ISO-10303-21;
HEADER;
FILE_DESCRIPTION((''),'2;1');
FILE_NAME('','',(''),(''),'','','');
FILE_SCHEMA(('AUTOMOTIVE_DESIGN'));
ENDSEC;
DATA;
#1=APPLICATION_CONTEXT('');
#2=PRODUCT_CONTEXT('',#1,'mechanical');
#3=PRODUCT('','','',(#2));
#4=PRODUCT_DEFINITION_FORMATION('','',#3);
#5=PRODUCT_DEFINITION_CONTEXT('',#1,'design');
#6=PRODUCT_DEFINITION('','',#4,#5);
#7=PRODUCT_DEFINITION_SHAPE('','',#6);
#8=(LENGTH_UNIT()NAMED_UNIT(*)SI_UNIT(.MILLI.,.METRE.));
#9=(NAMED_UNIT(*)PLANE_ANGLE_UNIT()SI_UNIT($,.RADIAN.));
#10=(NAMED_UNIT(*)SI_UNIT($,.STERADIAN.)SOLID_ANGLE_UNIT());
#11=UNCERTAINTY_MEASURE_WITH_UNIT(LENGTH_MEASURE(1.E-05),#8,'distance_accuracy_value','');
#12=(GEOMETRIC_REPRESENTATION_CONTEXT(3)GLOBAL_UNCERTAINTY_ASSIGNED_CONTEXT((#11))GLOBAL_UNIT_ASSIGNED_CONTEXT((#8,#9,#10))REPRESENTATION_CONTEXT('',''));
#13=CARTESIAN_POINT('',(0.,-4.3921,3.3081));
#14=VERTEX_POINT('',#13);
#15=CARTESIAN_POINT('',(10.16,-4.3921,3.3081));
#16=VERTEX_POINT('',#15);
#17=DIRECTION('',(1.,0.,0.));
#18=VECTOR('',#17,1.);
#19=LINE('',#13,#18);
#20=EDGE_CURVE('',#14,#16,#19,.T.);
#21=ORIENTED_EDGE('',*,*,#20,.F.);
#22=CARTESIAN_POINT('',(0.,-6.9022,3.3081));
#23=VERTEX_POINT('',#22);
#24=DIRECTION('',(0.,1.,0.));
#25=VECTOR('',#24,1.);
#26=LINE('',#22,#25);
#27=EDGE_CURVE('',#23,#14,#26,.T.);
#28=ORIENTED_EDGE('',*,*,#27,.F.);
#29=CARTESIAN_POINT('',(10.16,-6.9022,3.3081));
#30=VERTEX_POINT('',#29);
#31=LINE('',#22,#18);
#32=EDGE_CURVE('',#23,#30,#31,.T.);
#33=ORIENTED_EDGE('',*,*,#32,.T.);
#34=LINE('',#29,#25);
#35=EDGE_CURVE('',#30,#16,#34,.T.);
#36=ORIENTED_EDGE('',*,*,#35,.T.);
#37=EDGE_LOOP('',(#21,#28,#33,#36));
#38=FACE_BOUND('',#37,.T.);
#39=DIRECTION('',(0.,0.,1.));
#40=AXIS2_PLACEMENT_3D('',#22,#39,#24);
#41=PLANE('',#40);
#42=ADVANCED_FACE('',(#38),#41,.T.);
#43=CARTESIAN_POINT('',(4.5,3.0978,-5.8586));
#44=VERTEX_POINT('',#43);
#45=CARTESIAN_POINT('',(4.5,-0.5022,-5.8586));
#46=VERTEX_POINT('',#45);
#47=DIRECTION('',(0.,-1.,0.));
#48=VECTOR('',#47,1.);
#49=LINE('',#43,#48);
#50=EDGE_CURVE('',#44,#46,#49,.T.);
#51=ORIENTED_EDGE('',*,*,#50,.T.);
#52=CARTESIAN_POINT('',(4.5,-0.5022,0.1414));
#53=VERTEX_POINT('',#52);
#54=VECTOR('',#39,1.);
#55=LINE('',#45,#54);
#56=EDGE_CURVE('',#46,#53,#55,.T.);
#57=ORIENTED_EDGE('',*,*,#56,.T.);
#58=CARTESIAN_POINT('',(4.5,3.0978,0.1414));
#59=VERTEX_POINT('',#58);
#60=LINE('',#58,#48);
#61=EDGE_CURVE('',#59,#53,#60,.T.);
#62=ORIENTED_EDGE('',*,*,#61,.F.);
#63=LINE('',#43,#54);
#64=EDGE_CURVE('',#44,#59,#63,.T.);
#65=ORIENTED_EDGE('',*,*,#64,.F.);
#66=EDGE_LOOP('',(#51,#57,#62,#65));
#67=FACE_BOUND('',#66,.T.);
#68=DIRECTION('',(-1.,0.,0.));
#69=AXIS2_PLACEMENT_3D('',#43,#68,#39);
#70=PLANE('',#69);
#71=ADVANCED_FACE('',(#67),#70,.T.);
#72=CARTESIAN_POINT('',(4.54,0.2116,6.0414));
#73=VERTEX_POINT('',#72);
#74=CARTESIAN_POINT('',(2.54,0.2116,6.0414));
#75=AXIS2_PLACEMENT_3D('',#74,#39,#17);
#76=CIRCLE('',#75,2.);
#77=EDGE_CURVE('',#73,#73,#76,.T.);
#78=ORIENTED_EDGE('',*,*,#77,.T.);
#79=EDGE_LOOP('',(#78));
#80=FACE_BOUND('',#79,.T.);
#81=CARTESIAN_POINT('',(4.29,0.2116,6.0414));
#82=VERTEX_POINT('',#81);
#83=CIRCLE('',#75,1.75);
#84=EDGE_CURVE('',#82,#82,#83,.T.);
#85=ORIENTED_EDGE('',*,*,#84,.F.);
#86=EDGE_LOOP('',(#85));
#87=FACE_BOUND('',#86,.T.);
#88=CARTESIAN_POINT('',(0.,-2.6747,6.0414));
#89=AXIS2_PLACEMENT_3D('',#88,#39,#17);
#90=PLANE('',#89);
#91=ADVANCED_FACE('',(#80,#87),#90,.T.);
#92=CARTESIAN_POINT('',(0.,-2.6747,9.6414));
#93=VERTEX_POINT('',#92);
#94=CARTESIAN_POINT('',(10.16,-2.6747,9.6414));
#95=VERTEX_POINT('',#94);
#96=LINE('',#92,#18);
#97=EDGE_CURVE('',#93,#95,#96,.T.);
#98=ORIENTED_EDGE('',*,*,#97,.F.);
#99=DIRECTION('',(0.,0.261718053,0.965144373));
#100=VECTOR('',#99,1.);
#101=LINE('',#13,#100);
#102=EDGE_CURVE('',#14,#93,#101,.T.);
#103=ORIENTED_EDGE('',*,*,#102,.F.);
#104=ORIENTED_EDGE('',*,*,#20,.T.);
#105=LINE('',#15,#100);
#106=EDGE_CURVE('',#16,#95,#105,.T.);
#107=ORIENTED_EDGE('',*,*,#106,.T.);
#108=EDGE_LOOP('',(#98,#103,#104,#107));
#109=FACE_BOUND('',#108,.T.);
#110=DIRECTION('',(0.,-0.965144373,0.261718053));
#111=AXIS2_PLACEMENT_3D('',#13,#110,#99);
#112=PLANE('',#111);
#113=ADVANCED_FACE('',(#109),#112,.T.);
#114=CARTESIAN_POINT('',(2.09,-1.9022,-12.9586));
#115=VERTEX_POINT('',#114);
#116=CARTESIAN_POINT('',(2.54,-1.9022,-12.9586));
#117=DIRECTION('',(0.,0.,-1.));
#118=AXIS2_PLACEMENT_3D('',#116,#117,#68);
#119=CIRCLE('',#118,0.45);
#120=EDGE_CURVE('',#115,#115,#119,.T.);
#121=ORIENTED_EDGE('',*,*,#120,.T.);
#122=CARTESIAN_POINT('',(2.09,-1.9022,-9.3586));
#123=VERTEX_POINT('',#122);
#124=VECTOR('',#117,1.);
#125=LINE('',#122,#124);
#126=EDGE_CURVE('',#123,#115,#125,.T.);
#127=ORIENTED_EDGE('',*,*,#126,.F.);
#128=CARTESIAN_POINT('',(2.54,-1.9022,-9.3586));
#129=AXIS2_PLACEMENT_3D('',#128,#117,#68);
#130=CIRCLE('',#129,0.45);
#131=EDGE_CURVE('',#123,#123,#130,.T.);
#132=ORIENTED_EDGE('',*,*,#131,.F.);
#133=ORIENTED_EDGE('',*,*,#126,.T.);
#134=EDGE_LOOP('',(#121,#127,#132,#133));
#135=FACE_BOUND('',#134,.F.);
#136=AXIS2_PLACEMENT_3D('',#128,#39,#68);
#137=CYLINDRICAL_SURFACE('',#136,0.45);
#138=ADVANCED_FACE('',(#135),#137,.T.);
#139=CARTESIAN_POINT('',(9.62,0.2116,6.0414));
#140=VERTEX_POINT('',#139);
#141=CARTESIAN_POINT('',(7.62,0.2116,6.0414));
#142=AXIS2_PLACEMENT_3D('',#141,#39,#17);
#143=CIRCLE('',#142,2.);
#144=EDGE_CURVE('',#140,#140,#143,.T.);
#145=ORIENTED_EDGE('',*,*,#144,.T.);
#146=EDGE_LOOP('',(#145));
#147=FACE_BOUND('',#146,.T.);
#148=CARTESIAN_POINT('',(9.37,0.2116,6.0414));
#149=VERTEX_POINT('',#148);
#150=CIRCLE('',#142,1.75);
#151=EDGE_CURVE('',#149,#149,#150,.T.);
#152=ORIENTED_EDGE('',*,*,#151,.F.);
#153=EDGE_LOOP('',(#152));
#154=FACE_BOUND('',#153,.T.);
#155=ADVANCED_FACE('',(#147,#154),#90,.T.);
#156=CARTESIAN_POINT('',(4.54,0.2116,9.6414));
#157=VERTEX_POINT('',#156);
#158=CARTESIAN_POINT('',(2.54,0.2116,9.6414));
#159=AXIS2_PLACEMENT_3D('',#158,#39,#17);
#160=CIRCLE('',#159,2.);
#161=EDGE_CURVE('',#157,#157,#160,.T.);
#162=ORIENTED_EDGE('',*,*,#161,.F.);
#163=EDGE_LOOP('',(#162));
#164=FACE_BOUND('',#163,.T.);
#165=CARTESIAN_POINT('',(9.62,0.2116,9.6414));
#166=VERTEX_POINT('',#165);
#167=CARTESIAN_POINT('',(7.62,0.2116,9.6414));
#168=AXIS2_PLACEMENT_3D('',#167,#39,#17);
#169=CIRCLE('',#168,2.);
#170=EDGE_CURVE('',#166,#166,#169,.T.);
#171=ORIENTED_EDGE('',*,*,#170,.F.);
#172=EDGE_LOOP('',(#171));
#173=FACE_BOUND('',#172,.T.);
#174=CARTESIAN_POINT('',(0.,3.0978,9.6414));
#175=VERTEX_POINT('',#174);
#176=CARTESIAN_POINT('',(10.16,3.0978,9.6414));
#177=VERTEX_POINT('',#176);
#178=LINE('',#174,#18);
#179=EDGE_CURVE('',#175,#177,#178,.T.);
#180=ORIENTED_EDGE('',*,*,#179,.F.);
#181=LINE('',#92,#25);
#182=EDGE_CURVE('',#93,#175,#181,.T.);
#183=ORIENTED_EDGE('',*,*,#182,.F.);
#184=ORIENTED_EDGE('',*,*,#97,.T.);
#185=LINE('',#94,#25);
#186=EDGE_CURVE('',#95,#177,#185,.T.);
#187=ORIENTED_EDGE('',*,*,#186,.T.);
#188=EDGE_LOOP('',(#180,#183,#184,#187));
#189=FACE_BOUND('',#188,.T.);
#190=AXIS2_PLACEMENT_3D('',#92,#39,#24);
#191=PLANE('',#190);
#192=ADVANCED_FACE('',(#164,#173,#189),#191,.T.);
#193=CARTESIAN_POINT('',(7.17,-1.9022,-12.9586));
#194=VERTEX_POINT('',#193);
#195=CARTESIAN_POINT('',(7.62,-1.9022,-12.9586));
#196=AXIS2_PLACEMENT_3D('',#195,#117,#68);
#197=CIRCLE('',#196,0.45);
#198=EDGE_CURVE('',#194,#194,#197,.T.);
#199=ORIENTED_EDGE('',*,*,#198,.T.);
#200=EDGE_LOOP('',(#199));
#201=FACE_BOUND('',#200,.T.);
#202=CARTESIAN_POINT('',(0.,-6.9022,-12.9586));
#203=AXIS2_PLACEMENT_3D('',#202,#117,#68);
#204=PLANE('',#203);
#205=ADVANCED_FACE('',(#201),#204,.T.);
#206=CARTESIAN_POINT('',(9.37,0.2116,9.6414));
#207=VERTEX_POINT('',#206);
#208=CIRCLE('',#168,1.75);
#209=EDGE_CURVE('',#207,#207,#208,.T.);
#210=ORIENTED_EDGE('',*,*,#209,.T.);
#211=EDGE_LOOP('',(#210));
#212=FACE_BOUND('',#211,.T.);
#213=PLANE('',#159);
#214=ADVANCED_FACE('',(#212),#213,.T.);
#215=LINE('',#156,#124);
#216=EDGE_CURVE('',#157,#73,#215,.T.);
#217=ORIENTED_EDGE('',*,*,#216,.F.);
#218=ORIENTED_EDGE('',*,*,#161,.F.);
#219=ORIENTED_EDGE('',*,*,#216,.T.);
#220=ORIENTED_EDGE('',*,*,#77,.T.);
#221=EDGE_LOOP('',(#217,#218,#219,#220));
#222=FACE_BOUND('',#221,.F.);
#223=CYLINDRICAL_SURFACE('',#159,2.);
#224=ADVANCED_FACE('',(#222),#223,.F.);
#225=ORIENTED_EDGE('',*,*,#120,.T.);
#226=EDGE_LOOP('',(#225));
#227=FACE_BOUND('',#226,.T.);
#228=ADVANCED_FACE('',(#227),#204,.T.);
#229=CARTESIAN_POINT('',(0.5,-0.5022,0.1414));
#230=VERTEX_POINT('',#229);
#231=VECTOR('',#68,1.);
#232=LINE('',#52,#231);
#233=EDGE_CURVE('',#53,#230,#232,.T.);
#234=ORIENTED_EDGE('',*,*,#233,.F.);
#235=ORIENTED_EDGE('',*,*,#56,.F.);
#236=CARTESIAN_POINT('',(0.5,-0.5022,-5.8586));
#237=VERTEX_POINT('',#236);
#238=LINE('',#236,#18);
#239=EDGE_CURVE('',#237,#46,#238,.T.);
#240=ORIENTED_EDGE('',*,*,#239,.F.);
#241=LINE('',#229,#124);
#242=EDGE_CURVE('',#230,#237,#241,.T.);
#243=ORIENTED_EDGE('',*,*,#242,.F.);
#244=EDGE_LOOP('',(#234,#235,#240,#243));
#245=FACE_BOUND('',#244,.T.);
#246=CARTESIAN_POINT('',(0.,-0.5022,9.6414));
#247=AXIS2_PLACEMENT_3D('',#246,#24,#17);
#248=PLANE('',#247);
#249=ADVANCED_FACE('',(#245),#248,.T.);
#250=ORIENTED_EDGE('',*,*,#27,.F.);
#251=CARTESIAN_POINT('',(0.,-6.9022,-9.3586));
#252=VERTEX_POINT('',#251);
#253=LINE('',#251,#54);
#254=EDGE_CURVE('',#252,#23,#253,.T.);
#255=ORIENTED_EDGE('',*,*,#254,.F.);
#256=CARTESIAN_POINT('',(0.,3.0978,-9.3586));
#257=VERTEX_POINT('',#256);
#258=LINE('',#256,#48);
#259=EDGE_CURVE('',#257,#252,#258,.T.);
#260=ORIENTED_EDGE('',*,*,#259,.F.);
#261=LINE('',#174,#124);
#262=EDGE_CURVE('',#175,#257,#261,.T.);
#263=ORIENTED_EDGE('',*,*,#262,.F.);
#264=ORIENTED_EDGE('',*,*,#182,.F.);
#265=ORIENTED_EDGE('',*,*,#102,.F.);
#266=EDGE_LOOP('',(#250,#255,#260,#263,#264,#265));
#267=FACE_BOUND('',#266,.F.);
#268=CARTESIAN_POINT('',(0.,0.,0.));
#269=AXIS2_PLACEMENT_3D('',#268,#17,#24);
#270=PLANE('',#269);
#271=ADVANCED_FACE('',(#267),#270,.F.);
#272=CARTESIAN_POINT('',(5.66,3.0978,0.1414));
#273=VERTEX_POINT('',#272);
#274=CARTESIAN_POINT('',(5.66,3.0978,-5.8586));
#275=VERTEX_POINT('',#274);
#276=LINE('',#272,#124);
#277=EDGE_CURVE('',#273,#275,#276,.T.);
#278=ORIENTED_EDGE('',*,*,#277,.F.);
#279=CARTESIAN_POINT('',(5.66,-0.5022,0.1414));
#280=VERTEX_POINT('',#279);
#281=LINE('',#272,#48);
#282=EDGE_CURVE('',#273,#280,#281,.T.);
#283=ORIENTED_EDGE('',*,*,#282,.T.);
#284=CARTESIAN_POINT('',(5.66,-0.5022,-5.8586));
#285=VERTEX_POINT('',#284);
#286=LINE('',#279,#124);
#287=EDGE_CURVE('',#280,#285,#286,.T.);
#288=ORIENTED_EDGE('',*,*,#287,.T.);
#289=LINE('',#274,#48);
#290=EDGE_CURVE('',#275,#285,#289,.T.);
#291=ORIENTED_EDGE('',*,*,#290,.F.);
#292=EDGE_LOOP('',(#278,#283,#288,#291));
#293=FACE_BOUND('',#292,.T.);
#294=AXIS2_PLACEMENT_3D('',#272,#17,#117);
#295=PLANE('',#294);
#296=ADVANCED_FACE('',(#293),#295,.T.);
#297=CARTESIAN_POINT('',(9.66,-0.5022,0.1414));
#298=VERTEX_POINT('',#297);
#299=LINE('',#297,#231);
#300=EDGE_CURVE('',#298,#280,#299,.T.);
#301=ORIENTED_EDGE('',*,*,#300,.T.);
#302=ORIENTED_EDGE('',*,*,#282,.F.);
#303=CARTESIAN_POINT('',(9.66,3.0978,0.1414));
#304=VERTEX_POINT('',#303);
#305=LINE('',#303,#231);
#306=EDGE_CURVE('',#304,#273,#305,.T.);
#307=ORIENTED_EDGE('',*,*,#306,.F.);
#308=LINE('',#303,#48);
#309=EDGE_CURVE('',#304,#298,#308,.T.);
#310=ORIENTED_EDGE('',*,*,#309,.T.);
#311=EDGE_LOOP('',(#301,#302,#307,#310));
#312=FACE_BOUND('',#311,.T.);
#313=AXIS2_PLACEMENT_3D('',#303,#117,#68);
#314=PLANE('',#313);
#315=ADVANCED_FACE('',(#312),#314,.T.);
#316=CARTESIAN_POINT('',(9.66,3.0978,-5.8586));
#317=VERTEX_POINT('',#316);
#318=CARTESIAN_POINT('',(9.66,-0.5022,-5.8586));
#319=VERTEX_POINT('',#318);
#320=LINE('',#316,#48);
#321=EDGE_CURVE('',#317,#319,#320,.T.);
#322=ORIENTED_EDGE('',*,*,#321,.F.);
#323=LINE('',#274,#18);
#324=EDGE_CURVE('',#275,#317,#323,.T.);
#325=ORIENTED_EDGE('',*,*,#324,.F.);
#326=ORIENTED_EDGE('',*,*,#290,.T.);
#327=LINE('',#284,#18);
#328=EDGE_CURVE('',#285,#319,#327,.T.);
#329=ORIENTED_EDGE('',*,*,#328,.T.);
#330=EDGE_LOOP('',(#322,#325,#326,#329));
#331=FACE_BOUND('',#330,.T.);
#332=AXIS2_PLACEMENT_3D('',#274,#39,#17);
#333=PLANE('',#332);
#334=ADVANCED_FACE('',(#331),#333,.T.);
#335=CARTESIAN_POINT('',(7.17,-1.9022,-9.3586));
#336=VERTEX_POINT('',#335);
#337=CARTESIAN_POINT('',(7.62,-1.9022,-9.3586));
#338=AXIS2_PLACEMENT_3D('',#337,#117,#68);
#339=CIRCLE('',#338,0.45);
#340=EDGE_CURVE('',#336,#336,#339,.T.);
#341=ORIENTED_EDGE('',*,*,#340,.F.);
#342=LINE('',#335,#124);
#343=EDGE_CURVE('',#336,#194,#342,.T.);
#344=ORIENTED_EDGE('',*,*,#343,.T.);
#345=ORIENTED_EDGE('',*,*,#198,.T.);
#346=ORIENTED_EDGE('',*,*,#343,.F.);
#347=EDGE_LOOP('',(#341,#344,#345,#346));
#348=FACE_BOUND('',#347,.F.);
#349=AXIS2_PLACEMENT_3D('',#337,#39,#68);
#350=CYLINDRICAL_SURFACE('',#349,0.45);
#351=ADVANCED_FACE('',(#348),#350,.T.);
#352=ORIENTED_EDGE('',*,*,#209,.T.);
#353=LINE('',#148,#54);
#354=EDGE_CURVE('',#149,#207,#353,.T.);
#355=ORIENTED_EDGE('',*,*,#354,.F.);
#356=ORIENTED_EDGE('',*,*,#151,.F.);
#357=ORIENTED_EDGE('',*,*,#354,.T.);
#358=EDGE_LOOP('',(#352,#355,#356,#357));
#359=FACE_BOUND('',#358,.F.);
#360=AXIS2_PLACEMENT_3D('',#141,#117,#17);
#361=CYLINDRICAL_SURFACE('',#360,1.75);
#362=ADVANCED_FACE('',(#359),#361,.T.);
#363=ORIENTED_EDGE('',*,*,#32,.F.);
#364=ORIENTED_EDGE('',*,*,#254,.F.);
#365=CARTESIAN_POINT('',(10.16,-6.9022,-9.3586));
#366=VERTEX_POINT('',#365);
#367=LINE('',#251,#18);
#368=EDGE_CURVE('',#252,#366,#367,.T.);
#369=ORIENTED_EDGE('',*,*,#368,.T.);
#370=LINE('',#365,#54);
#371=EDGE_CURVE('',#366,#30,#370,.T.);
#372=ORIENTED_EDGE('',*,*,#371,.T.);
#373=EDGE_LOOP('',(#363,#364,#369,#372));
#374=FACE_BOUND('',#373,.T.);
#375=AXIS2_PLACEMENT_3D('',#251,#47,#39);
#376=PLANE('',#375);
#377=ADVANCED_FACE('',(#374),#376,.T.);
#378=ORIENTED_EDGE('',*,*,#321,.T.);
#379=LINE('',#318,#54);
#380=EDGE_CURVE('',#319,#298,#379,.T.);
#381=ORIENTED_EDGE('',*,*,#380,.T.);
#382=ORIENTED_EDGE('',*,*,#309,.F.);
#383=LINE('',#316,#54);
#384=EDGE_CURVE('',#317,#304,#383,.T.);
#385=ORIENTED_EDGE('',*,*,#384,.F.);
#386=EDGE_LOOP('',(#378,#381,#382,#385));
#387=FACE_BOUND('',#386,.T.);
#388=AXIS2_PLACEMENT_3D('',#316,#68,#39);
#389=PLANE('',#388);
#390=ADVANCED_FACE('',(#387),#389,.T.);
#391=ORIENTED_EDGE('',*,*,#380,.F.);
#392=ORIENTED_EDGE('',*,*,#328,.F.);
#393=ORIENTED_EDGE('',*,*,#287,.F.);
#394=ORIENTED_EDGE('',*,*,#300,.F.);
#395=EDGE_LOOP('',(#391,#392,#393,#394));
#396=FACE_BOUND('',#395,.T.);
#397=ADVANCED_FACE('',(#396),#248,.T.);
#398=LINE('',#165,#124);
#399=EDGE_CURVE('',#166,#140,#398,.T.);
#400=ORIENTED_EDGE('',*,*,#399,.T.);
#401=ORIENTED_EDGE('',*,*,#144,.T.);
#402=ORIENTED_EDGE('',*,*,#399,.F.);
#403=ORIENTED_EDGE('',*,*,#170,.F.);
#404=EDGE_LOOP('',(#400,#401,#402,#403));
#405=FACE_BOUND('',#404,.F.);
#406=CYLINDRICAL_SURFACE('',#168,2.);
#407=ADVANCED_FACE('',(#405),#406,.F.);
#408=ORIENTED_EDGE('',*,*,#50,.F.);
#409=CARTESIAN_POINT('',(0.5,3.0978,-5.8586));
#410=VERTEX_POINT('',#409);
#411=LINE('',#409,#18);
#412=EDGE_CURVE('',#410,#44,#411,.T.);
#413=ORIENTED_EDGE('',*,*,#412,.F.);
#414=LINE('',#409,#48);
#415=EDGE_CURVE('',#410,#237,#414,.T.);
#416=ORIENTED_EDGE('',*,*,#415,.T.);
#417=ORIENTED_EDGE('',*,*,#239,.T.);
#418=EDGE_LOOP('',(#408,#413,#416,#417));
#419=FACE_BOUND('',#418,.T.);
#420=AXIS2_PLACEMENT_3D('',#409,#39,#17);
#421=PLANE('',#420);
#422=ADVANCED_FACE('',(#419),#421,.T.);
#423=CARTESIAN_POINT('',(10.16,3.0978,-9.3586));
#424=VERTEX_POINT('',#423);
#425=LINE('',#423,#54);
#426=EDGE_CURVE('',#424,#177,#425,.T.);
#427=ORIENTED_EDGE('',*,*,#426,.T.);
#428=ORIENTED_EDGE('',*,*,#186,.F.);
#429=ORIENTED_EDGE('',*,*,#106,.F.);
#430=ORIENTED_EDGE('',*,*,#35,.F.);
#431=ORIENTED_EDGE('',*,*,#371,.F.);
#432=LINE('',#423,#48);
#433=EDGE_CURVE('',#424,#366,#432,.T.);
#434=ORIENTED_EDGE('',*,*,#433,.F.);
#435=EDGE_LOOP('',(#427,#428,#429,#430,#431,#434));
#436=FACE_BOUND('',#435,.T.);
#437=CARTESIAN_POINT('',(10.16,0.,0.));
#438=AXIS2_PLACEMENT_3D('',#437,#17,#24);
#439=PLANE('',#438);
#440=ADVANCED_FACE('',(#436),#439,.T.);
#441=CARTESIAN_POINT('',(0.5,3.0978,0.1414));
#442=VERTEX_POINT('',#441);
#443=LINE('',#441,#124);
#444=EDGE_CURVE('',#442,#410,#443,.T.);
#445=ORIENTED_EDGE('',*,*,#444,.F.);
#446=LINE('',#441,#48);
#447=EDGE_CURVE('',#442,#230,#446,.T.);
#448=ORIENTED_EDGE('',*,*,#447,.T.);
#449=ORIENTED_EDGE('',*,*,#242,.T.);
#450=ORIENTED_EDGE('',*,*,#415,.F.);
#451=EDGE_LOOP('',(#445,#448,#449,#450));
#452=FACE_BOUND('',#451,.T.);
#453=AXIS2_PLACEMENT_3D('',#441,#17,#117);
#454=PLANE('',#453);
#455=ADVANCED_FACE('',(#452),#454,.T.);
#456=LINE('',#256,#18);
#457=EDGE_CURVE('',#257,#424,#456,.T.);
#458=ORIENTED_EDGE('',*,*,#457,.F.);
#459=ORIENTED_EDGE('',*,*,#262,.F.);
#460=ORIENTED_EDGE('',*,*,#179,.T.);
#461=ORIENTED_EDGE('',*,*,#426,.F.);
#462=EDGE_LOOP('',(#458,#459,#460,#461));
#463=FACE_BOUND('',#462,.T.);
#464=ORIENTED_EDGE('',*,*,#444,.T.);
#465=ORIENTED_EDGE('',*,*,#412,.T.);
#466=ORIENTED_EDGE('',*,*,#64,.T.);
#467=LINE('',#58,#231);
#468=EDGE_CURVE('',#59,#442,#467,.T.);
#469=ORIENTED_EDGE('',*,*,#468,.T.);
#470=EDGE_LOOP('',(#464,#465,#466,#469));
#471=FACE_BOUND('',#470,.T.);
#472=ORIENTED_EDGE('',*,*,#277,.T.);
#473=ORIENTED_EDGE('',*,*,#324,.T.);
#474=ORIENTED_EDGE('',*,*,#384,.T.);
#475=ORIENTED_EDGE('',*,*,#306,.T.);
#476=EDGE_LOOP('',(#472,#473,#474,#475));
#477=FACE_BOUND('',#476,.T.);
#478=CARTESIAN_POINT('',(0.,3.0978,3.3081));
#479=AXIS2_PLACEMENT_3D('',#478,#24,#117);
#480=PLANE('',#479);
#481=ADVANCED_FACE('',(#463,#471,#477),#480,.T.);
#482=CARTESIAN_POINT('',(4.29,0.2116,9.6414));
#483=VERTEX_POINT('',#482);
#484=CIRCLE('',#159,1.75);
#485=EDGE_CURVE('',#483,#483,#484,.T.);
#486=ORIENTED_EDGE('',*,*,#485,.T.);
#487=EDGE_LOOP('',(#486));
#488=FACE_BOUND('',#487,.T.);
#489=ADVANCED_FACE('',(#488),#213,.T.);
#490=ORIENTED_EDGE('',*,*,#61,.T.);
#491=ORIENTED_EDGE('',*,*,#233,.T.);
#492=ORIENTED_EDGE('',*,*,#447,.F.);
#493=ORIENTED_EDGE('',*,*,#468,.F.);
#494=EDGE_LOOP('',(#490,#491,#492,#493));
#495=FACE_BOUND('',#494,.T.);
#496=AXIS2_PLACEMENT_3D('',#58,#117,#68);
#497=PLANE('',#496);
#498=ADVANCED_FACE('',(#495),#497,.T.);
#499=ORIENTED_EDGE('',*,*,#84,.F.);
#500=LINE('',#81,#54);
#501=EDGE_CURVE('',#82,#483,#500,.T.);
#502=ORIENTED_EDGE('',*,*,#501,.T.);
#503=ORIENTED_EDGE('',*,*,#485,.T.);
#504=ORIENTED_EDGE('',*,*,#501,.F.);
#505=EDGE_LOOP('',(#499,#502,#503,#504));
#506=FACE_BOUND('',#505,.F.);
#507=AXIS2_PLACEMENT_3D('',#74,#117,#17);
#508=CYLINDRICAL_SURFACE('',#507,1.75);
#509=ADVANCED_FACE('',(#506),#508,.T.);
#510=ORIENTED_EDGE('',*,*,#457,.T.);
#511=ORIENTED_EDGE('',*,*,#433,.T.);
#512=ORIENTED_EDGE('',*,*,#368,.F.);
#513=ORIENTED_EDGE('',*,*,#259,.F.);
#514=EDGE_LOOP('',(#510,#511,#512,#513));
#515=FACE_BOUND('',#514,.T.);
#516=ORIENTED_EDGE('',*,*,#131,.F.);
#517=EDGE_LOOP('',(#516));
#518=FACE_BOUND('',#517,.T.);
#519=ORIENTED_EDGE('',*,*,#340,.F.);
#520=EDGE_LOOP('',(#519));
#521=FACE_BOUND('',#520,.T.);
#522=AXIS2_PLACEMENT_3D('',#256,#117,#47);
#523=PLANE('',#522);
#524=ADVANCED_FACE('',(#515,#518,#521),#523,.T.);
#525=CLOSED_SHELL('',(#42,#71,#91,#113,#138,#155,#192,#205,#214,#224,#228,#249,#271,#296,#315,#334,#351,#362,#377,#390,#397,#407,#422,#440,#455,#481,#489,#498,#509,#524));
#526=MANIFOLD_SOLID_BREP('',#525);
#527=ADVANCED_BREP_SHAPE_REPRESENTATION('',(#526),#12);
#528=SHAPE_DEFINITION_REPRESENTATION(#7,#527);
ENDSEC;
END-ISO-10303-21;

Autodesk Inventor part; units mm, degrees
ref_plane "YZ Plane" through (0, 0, 0) normal (1, 0, 0) x (0, 1, 0)
ref_plane "XZ Plane" through (0, 0, 0) normal (0, 1, 0) x (-1, 0, 0)
ref_plane "XY Plane" through (0, 0, 0) normal (0, 0, 1) x (1, 0, 0)
sketch "Sketch1" plane through (0, 0, 0) normal (1, 0, 0) x (0, 1, 0)
  line L0 (-6.9022, 3.3081) -> (3.0978, 3.3081)
  line L1 (3.0978, 3.3081) -> (3.0978, -9.3586)
  line L2 (3.0978, -9.3586) -> (-6.9022, -9.3586)
  line L3 (-6.9022, -9.3586) -> (-6.9022, 3.3081)
  line L4 (-4.3921, 3.3081) -> (-2.6747, 9.6414)
  line L5 (-2.6747, 9.6414) -> (3.0978, 9.6414)
  line L6 (3.0978, 9.6414) -> (3.0978, 3.3081)
  point P0 (0, 0)
  dimension "d0" = 10
  dimension "d1" = 19
  dimension "d2" = 12.6667
extrude "Extrusion1" add sketch "Sketch1" along normal blind 10.16
sketch "Sketch2" plane through (0, -6.9022, -9.3586) normal (0, 0, -1) x (-1, 0, 0)
  line L0 (-10.16, 0) -> (-10.16, 10) projected
  line L1 (0, 0) -> (-10.16, 0) projected
  circle A0 centre (-7.62, 5) radius 0.45
  circle A1 centre (-2.54, 5) radius 0.45
  point P0 (0, 6.9022)
  dimension "d5" = 0.9
  dimension "d6" = 0.9
  dimension "d7" = 5.08
  dimension "d8" = 2.54
  dimension "d9" = 5
  dimension "d10" = 5
extrude "Extrusion2" add sketch "Sketch2" along normal blind 3.6
sketch "Sketch3" plane through (0, -2.6747, 9.6414) normal (0, 0, 1) x (1, 0, 0)
  line L0 (0, 5.7725) -> (0, 0) projected
  circle A0 centre (2.54, 2.8863) radius 2
  circle A1 centre (7.62, 2.8863) radius 2
  point P0 (0, 2.6747)
  dimension "d13" = 5.08
  dimension "d14" = 4
  dimension "d15" = 4
  dimension "d16" = 2.54
extrude "Extrusion3" cut sketch "Sketch3" against normal blind 3.6
sketch "Sketch4" plane through (2.54, 0.2116, 6.0414) normal (0, 0, 1) x (1, 0, 0)
  circle A0 centre (0, 0) radius 2 projected
  circle A1 centre (0, 0) radius 1.75
  circle A2 centre (5.08, 0) radius 1.75
  point P0 (-2.54, -0.2116)
  dimension "d19" = 5.08
  dimension "d20" = 3.5
  dimension "d21" = 3.5
extrude "Extrusion4" add sketch "Sketch4" along normal blind 3.6 contours A1 | A2
sketch "Sketch5" plane through (0, 3.0978, 9.6414) normal (0, 1, 0) x (1, 0, 0)
  line L0 (0, 19) -> (0, 0) projected
  line L1 (10.16, 19) -> (10.16, 0) projected
  line L2 (0, 19) -> (10.16, 19) projected
  line L3 (0.5, 15.5) -> (4.5, 15.5)
  line L4 (4.5, 15.5) -> (4.5, 9.5)
  line L5 (4.5, 9.5) -> (0.5, 9.5)
  line L6 (0.5, 9.5) -> (0.5, 15.5)
  line L7 (5.66, 15.5) -> (9.66, 15.5)
  line L8 (9.66, 15.5) -> (9.66, 9.5)
  line L9 (9.66, 9.5) -> (5.66, 9.5)
  line L10 (5.66, 9.5) -> (5.66, 15.5)
  point P0 (0, 9.6414)
  dimension "d24" = 4
  dimension "d25" = 4
  dimension "d26" = 0.5
  dimension "d27" = 0.5
  dimension "d28" = 3.5
  dimension "d29" = 3.5
  dimension "d30" = 6
  dimension "d31" = 6
extrude "Extrusion5" cut sketch "Sketch5" against normal blind 3.6
properties part number "ScrewTerminal"
